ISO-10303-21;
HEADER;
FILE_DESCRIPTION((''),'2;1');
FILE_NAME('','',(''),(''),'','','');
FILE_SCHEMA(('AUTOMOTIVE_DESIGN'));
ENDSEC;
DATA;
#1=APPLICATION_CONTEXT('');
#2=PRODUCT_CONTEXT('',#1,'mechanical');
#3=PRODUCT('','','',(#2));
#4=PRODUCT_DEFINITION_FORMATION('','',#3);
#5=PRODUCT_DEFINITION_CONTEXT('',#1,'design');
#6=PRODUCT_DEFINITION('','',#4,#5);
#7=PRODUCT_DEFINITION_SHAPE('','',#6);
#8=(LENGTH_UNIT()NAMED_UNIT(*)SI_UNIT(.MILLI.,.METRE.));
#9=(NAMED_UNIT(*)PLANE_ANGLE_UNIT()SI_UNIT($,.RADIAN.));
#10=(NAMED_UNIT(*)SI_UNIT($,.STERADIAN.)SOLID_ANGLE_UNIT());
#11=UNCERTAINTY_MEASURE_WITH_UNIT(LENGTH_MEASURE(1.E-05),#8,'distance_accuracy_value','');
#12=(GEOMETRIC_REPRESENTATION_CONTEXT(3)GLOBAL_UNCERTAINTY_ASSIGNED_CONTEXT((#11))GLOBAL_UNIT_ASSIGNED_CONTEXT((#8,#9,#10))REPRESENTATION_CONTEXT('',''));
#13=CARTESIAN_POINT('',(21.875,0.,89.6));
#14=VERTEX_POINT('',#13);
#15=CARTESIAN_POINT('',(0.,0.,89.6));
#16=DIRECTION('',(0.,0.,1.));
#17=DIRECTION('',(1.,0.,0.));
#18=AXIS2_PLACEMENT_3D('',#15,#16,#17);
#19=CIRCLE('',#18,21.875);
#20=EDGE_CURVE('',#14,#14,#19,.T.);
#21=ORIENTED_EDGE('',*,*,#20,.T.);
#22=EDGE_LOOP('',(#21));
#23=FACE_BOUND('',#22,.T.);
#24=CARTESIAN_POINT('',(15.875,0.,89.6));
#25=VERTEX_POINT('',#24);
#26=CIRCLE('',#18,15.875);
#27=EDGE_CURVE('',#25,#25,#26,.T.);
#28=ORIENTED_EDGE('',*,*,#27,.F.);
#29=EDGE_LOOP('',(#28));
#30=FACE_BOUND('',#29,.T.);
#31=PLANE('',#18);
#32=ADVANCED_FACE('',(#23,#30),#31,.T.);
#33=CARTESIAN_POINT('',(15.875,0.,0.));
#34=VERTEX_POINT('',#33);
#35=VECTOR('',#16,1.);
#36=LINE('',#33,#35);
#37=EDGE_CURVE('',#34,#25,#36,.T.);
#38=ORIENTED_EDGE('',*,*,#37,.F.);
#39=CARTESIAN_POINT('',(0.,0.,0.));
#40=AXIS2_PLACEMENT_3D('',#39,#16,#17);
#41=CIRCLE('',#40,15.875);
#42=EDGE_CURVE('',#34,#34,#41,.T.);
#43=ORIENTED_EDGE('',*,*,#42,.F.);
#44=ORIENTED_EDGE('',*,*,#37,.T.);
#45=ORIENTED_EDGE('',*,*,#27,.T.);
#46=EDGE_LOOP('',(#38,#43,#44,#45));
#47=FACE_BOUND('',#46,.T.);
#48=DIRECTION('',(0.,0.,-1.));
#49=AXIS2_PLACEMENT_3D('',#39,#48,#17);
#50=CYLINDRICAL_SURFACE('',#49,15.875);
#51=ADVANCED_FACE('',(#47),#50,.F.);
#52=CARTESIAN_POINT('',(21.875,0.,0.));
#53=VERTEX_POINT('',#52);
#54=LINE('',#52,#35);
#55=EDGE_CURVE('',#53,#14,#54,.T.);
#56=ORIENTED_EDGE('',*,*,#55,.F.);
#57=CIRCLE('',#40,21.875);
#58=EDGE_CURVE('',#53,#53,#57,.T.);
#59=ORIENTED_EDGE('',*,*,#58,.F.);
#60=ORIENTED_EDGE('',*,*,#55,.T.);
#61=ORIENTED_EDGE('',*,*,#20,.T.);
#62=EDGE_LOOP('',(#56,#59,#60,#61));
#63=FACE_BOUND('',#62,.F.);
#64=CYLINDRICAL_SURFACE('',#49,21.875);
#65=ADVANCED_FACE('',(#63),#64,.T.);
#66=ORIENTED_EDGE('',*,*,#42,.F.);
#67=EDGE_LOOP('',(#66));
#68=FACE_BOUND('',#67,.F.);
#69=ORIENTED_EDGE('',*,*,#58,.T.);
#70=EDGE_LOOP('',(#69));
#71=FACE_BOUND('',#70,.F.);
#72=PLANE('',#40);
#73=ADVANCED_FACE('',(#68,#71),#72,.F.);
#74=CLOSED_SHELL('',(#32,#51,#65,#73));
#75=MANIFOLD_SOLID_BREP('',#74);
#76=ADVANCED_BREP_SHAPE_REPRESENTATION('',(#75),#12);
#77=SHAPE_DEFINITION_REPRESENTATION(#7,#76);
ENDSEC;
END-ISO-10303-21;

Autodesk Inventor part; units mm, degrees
ref_plane "YZ Plane" through (0, 0, 0) normal (1, 0, 0) x (0, 1, 0)
ref_plane "XZ Plane" through (0, 0, 0) normal (0, 1, 0) x (-1, 0, 0)
ref_plane "XY Plane" through (0, 0, 0) normal (0, 0, 1) x (1, 0, 0)
sketch "Sketch1" plane through (0, 0, 0) normal (0, 0, 1) x (1, 0, 0)
  circle A0 centre (0, 0) radius 15.875
  circle A1 centre (0, 0) radius 21.875
  dimension "d0" = 31.75
  dimension "d1" = 43.75
extrude "Extrusion1" add sketch "Sketch1" along normal blind 89.6
properties part number "spool_core" material "ABS Plastic"
